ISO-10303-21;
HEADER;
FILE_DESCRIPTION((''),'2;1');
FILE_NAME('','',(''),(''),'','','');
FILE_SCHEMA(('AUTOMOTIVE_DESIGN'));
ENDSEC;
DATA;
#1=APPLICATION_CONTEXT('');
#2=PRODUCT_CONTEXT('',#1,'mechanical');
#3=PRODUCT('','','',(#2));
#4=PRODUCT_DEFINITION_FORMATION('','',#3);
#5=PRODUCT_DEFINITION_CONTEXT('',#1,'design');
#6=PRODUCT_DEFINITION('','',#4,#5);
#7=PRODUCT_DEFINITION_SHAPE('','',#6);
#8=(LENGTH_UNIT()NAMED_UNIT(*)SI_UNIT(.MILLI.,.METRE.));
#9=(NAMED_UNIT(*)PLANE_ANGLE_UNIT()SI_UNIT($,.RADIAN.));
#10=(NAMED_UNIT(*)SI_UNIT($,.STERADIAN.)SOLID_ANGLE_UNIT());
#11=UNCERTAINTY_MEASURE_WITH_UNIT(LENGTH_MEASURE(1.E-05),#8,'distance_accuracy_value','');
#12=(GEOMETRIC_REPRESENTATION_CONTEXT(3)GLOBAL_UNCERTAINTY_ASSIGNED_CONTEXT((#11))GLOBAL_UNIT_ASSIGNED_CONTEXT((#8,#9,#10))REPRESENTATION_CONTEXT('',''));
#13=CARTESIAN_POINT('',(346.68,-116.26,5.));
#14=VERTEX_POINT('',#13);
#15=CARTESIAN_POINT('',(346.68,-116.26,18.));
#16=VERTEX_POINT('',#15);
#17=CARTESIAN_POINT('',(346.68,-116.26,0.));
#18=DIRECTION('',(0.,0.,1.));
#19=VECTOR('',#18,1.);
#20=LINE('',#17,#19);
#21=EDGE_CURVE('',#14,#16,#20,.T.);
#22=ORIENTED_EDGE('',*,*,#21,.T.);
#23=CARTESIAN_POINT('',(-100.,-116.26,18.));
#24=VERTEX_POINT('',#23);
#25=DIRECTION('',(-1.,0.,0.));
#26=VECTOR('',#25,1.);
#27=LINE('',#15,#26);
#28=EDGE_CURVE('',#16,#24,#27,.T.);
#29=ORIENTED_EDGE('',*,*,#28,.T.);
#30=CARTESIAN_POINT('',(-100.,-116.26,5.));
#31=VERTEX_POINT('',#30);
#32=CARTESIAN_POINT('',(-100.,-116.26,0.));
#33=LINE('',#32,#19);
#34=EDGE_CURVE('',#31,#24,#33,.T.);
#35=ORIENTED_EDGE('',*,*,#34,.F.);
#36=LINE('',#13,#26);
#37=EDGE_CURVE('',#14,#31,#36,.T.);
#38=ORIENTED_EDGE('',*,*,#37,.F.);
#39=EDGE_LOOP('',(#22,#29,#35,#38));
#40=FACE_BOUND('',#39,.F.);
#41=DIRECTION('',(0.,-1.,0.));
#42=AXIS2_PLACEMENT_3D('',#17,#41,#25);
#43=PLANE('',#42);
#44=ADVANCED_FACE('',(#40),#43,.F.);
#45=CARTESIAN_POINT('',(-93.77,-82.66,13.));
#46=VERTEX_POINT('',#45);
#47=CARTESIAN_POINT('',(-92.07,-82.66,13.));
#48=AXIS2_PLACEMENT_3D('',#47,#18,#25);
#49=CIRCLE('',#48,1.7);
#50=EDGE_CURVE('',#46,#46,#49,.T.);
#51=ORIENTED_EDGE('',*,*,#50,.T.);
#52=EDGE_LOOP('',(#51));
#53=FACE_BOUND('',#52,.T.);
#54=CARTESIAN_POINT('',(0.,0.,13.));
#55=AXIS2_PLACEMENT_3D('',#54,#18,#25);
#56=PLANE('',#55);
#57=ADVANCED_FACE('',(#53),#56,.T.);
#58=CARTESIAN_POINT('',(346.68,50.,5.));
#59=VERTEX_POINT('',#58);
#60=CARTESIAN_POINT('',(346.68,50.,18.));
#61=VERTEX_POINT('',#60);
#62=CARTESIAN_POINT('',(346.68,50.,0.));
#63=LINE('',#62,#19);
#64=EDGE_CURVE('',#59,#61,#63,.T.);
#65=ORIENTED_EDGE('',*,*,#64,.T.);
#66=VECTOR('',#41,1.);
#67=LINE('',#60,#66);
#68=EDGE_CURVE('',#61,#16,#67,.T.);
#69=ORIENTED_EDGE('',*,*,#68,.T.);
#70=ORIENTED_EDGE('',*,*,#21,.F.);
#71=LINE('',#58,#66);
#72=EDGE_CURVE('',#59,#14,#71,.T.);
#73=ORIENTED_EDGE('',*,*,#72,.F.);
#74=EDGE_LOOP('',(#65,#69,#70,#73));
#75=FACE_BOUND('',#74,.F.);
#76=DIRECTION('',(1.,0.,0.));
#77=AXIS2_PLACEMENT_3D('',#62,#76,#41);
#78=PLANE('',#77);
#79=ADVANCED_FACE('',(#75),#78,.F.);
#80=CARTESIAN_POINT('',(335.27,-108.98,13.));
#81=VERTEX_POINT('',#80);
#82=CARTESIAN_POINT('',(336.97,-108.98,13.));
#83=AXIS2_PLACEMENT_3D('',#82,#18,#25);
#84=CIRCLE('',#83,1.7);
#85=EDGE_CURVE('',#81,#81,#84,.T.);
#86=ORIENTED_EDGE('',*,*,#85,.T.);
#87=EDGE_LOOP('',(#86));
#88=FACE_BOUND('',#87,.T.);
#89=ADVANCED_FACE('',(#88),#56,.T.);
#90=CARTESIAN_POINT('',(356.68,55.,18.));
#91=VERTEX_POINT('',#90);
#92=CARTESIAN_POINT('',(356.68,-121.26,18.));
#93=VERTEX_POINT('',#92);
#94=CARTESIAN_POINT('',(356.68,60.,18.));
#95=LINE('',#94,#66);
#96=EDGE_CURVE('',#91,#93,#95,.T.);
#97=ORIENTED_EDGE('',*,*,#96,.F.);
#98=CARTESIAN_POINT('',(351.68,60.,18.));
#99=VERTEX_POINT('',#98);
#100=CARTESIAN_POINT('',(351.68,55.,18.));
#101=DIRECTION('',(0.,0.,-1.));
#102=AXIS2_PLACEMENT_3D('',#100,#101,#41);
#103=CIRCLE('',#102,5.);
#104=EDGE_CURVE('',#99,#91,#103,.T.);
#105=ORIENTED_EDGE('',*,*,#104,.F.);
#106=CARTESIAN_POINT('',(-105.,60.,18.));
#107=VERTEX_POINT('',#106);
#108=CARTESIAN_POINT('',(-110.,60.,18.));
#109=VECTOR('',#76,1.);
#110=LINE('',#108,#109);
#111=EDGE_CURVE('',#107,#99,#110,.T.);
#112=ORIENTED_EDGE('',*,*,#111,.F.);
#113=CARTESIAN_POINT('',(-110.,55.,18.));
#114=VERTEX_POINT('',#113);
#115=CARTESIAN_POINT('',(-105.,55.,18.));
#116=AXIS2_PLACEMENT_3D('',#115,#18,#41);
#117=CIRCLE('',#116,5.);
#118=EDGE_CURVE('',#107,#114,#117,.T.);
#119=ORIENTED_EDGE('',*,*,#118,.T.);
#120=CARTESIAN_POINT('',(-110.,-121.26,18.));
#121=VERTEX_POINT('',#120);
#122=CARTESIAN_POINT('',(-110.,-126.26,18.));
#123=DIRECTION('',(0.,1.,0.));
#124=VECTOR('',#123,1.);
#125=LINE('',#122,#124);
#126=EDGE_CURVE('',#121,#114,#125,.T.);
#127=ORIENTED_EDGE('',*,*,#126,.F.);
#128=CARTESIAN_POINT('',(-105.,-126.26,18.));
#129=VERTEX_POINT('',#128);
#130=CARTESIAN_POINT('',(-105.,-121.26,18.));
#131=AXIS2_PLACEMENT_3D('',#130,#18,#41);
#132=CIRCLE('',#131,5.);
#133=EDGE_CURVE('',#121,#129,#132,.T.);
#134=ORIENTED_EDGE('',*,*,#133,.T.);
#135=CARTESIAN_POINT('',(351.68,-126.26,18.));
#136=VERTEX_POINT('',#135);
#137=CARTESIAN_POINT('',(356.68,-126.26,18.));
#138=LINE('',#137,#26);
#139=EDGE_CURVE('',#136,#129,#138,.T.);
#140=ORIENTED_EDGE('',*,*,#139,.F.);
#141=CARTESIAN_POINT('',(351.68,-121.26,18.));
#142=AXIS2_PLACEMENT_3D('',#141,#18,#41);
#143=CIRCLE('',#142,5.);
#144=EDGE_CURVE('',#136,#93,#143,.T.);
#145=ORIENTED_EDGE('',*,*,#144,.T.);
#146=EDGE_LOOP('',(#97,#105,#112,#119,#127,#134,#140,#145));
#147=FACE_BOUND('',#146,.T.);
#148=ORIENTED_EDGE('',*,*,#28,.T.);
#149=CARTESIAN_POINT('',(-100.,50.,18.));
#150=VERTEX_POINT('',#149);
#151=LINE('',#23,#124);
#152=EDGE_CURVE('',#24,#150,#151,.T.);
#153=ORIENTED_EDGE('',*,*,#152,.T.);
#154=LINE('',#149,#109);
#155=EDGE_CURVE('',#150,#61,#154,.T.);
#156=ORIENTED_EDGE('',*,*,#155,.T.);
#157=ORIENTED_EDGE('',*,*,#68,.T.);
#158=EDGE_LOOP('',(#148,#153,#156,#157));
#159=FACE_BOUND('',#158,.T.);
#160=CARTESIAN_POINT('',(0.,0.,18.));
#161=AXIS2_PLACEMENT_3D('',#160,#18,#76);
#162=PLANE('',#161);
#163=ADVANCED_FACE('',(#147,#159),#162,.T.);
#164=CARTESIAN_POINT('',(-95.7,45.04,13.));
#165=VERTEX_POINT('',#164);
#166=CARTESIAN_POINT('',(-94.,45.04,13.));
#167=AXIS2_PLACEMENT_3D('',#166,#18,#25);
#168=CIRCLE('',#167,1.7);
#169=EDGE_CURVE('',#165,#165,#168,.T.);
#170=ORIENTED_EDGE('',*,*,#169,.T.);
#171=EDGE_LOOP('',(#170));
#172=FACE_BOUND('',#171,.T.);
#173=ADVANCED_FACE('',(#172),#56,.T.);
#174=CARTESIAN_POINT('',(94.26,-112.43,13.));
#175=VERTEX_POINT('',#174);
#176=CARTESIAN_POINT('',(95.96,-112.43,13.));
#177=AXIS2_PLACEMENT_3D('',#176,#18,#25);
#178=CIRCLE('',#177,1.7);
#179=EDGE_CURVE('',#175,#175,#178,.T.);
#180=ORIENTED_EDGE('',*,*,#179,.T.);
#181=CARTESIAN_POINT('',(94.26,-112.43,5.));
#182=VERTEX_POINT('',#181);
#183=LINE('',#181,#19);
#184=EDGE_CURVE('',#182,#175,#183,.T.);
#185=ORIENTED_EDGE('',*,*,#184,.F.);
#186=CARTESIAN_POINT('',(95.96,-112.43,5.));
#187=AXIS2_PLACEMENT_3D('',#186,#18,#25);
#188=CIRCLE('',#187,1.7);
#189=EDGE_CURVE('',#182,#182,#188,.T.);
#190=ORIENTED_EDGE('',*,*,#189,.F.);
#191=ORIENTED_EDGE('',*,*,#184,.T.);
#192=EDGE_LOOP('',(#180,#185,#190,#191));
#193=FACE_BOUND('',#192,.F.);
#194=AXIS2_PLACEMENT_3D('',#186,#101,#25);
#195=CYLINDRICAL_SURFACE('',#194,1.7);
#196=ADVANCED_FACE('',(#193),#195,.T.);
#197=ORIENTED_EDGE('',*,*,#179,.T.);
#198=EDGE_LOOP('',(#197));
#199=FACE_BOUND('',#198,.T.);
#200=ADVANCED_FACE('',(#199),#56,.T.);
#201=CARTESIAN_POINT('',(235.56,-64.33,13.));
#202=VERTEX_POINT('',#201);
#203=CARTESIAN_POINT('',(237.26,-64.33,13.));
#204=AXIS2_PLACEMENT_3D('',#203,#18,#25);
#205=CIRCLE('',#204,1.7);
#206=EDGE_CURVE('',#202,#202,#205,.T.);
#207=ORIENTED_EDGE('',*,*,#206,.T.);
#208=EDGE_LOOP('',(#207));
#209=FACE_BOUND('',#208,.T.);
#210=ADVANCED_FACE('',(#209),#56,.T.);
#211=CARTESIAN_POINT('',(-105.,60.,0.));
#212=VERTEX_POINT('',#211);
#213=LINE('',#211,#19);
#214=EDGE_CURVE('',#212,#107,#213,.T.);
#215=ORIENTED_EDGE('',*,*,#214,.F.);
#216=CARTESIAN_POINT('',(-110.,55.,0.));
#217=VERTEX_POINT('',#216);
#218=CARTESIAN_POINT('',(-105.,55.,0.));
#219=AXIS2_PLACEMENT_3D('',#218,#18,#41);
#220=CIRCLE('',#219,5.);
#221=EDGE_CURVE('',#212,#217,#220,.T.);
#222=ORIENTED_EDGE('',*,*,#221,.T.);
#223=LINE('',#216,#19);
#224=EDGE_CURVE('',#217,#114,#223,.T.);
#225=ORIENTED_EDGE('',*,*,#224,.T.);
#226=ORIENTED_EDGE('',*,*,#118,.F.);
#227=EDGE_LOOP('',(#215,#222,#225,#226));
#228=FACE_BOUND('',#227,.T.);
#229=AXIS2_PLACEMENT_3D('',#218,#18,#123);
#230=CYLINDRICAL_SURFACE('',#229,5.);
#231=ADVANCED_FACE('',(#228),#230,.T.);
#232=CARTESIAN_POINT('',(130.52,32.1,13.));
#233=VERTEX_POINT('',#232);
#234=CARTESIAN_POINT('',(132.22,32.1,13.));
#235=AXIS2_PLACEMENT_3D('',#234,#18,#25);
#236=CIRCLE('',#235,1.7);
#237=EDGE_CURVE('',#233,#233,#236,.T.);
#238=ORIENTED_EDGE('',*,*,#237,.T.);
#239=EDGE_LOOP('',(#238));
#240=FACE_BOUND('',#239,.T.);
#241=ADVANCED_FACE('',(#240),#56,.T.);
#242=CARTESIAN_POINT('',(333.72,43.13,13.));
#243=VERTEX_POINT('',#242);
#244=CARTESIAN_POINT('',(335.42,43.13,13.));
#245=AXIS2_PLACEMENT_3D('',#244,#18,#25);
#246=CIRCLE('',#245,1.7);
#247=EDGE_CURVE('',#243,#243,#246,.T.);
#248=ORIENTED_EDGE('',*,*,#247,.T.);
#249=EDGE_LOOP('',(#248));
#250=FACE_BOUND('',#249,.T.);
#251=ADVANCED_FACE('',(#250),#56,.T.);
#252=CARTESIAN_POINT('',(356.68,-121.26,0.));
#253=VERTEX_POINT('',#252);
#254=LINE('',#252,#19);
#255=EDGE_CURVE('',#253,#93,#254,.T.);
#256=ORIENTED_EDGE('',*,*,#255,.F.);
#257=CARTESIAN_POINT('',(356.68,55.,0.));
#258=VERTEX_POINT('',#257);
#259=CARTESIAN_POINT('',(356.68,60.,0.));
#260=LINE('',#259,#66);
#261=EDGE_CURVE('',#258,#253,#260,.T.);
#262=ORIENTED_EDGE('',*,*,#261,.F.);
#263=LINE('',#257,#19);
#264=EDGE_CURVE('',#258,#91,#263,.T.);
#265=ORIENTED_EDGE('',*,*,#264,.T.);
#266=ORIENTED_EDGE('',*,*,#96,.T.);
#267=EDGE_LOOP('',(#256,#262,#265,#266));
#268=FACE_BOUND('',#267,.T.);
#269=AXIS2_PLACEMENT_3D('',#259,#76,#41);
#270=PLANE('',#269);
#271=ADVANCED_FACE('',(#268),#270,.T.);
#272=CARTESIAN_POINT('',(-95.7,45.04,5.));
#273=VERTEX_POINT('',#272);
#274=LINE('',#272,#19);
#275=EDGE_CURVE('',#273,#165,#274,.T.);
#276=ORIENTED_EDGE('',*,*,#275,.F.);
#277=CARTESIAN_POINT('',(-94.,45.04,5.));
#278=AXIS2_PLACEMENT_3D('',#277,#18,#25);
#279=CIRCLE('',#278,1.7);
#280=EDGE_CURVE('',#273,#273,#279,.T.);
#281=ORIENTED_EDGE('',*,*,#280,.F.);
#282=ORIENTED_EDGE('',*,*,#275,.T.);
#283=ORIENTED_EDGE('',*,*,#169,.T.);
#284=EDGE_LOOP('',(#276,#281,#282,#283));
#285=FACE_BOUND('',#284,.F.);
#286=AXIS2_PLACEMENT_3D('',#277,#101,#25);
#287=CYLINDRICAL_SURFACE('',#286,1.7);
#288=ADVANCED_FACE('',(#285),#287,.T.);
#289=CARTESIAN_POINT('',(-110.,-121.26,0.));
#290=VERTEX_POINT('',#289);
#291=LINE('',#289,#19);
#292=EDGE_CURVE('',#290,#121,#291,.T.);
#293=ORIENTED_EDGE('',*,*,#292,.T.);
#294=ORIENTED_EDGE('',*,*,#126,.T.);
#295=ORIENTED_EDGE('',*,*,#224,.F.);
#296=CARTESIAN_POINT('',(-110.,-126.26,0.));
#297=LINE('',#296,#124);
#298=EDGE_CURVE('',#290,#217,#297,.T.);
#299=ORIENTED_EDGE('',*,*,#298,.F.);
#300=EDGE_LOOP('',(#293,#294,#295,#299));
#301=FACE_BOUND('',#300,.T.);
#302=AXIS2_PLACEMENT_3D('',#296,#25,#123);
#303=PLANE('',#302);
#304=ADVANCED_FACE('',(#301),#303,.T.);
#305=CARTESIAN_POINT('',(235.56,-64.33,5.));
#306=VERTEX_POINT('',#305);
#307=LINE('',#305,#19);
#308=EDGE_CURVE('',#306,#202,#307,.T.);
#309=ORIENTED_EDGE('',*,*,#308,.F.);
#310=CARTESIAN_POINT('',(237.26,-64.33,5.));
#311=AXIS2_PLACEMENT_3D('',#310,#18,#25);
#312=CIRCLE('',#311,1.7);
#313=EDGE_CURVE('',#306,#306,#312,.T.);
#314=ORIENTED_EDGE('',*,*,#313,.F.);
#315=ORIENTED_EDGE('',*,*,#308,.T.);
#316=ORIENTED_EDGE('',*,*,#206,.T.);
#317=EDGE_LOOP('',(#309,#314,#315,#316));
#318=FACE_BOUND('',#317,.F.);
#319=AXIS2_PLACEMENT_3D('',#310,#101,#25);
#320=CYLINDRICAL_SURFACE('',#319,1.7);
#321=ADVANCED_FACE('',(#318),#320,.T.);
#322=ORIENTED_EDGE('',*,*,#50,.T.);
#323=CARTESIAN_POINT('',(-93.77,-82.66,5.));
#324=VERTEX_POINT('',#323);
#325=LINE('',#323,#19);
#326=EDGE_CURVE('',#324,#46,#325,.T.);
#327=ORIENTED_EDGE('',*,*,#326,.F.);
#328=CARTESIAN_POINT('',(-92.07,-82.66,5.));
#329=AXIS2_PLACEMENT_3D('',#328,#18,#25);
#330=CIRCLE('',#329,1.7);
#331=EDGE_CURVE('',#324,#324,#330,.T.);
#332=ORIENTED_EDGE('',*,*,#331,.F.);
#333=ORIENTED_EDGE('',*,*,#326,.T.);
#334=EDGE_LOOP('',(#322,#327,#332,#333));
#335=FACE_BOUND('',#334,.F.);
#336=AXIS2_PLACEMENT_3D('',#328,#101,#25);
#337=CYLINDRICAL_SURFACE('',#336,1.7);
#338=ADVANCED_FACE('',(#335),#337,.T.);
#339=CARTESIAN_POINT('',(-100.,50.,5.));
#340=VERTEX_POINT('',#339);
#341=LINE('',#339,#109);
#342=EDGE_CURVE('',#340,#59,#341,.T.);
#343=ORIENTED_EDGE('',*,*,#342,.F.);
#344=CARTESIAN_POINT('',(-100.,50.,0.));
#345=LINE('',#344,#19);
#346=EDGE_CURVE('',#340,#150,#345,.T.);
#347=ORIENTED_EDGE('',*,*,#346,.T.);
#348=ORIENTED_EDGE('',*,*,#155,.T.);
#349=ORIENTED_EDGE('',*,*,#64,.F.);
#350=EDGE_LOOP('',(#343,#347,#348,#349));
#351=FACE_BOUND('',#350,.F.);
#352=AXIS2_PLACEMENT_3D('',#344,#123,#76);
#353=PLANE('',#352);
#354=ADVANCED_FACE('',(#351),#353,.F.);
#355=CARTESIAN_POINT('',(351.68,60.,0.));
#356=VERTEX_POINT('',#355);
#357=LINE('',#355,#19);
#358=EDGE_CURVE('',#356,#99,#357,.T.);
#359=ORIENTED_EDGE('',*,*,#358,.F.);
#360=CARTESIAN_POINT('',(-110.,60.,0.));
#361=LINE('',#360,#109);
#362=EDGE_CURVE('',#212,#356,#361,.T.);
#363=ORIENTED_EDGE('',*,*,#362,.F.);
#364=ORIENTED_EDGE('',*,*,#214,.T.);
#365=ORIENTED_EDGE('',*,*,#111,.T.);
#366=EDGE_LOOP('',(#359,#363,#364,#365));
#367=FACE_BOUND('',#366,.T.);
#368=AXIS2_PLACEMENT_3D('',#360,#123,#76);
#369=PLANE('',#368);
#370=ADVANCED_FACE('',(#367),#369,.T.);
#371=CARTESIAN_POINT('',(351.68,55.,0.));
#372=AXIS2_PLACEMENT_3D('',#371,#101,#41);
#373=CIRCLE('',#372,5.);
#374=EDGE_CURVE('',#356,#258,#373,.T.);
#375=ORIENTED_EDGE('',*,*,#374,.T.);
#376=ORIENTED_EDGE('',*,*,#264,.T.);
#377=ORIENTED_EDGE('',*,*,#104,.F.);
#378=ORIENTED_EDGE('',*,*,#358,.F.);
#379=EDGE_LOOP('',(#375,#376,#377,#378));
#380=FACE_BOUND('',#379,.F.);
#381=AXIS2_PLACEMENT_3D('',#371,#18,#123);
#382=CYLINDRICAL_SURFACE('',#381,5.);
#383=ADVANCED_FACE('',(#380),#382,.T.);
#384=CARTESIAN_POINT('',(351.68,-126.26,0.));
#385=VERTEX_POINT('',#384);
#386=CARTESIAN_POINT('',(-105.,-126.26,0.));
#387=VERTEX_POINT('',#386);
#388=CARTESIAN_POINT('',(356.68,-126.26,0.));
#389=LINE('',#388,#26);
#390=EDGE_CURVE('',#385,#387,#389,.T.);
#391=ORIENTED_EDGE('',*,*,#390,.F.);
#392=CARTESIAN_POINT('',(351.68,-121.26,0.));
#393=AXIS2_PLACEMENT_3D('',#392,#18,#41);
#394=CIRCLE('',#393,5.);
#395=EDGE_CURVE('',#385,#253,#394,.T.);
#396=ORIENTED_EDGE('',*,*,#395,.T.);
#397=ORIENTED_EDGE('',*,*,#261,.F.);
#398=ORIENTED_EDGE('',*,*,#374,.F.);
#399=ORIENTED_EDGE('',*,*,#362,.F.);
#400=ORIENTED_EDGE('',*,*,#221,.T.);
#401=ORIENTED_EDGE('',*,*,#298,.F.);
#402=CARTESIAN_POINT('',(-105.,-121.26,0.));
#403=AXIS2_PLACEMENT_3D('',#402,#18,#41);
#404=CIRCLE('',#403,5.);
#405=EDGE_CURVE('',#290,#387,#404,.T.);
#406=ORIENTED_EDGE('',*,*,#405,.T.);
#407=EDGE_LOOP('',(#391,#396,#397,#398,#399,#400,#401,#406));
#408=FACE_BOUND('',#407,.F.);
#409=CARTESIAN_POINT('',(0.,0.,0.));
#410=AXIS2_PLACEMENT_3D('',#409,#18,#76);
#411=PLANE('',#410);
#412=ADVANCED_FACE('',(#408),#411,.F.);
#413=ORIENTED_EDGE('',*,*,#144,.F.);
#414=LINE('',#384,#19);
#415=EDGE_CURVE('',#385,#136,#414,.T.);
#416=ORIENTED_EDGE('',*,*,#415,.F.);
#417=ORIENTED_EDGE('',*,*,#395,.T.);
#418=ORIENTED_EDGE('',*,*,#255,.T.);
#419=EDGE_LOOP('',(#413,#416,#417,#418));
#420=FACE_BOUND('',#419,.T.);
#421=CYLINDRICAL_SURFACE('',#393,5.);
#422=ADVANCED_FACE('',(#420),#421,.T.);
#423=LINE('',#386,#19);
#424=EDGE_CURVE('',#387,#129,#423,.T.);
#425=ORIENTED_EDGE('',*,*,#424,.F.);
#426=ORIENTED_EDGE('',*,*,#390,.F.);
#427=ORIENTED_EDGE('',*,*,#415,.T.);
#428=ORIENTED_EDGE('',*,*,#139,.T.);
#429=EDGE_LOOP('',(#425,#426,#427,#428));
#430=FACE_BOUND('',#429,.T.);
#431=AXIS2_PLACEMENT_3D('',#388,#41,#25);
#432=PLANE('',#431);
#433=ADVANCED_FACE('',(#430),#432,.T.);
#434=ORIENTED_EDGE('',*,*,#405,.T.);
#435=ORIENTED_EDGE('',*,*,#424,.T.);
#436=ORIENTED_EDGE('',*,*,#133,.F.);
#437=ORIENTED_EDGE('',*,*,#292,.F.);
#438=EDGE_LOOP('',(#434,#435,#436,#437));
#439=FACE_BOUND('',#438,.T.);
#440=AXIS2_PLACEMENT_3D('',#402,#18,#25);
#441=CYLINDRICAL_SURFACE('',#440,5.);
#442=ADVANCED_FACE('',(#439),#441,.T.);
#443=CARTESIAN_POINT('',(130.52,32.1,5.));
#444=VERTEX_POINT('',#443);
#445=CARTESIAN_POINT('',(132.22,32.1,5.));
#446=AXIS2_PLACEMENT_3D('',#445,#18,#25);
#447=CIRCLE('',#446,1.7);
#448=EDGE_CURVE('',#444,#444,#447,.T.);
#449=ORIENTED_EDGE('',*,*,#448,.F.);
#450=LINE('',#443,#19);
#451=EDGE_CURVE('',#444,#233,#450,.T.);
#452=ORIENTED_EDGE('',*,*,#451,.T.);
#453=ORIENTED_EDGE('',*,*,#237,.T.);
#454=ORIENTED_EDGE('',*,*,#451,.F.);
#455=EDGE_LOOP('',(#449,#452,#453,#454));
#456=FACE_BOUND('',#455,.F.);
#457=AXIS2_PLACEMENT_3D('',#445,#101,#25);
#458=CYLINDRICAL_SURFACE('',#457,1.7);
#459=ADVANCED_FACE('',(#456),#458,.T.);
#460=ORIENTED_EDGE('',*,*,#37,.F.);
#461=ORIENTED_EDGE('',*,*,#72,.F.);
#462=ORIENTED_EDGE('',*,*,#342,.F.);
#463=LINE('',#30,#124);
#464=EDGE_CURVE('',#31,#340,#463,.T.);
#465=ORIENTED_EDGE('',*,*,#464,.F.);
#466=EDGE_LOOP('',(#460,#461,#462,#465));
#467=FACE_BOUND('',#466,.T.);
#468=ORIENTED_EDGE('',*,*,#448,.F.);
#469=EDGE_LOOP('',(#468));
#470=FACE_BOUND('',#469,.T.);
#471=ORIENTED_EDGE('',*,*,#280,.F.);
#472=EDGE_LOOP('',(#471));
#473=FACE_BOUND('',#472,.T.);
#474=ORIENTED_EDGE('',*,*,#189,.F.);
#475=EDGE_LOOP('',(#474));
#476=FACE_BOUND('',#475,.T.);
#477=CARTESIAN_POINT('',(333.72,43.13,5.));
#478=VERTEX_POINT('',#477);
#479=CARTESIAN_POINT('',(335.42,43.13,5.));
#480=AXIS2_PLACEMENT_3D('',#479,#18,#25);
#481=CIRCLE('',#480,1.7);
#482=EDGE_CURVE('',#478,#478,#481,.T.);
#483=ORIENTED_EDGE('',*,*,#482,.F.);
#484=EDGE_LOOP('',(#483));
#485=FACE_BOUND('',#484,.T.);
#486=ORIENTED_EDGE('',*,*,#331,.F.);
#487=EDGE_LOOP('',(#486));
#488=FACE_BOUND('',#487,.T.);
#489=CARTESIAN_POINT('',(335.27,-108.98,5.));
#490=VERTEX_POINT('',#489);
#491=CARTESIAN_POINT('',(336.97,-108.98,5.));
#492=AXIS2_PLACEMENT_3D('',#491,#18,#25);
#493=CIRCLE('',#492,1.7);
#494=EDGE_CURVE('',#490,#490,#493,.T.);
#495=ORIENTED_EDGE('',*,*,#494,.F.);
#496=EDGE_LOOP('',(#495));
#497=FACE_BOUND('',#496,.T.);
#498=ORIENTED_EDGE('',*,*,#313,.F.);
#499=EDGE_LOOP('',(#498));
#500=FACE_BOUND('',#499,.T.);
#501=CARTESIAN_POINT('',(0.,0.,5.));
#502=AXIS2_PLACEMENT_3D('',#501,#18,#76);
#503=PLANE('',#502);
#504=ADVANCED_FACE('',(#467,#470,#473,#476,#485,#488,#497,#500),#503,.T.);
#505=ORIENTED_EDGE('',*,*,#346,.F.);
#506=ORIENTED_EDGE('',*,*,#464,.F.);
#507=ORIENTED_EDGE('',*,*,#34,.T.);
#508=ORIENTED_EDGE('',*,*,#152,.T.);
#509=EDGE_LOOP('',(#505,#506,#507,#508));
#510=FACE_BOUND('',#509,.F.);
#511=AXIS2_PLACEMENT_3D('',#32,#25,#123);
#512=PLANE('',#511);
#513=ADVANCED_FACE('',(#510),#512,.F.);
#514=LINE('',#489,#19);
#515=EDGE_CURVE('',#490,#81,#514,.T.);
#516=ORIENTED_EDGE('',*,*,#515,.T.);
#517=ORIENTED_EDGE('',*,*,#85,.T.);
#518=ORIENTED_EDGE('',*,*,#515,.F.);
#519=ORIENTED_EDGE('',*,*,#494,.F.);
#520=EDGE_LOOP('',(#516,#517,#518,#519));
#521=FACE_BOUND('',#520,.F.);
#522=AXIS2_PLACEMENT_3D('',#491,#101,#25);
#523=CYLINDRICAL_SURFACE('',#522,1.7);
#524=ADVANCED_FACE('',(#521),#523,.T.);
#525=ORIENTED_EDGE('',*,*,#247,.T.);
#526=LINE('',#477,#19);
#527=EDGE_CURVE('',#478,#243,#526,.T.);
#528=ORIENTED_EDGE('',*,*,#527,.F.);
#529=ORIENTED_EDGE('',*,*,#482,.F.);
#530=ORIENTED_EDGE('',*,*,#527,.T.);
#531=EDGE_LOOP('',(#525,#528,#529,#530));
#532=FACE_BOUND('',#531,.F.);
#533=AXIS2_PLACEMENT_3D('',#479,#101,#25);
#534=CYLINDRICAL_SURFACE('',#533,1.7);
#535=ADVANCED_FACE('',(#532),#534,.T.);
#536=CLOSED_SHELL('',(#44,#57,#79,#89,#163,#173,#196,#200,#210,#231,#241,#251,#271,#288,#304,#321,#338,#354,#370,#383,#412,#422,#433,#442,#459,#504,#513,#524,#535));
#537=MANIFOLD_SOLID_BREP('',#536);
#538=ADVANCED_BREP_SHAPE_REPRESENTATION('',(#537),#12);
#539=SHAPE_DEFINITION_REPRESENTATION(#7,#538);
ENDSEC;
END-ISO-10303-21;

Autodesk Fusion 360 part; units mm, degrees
sketch "Sketch1" plane through (0, 0, 0) normal (0, 0, 1) x (1, 0, 0)
  line L0 (-100, 50) -> (346.68, 50)
  line L1 (346.68, 50) -> (346.68, -116.26)
  line L2 (346.68, -116.26) -> (-100, -116.26)
  line L3 (-100, -116.26) -> (-100, 50)
  line L4 (-110, 60) -> (356.68, 60)
  line L5 (356.68, 60) -> (356.68, -126.26)
  line L6 (356.68, -126.26) -> (-110, -126.26)
  line L7 (-110, -126.26) -> (-110, 60)
  dimension "d1" = 446.68
  dimension "d2" = 166.26
  dimension "d3" = 466.68
  dimension "d4" = 186.26
  dimension "d5" = 10
  dimension "d6" = 10
extrude "Extrude1" add sketch "Sketch1" along normal blind 5 contours L0 L1 L2 L3
extrude "Extrude2" add sketch "Sketch1" along normal blind 18
sketch "Sketch2" plane through (0, 0, 5) normal (0, 0, 1) x (-1, 0, 0)
  line L0 (100, 116.26) -> (-346.68, 116.26)
  line L1 (-346.68, 116.26) -> (-346.68, -50)
  line L2 (-346.68, -50) -> (100, -50)
  line L3 (100, -50) -> (100, 116.26)
  circle A0 centre (94, -45.04) radius 1.7
  circle A1 centre (-132.22, -32.1) radius 1.7
  circle A2 centre (92.07, 82.66) radius 1.7
  circle A3 centre (-95.96, 112.43) radius 1.7
  circle A4 centre (-237.26, 64.33) radius 1.7
  circle A5 centre (-335.42, -43.13) radius 1.7
  circle A6 centre (-336.97, 108.98) radius 1.7
  line L4 (100, -50) -> (-346.68, -50)
  line L5 (100, 116.26) -> (100, -50)
  line L6 (-346.68, 116.26) -> (100, 116.26)
  line L7 (-346.68, -50) -> (-346.68, 116.26)
  dimension "d11" = 3.4
  dimension "d12" = 3.4
  dimension "d13" = 3.4
  dimension "d14" = 3.4
  dimension "d15" = 3.4
  dimension "d16" = 3.4
  dimension "d17" = 3.4
  dimension "d18" = 4.96
  dimension "d19" = 6
  dimension "d20" = 7.93
  dimension "d21" = 33.6
  dimension "d22" = 195.96
  dimension "d23" = 3.83
  dimension "d24" = 109.42
  dimension "d25" = 51.93
  dimension "d26" = 7.28
  dimension "d27" = 9.71
  dimension "d28" = 11.26
  dimension "d29" = 6.87
  dimension "d30" = 214.46
  dimension "d31" = 17.9
extrude "Extrude3" add sketch "Sketch2" along normal blind 8 contours A0 | A1 | A2 | A3 | A4 | A5 | A6
fillet "Fillet1" radius 5 4 edges at (356.68, -126.26, 9) (356.68, 60, 9) (-110, 60, 9) (-110, -126.26, 9)
